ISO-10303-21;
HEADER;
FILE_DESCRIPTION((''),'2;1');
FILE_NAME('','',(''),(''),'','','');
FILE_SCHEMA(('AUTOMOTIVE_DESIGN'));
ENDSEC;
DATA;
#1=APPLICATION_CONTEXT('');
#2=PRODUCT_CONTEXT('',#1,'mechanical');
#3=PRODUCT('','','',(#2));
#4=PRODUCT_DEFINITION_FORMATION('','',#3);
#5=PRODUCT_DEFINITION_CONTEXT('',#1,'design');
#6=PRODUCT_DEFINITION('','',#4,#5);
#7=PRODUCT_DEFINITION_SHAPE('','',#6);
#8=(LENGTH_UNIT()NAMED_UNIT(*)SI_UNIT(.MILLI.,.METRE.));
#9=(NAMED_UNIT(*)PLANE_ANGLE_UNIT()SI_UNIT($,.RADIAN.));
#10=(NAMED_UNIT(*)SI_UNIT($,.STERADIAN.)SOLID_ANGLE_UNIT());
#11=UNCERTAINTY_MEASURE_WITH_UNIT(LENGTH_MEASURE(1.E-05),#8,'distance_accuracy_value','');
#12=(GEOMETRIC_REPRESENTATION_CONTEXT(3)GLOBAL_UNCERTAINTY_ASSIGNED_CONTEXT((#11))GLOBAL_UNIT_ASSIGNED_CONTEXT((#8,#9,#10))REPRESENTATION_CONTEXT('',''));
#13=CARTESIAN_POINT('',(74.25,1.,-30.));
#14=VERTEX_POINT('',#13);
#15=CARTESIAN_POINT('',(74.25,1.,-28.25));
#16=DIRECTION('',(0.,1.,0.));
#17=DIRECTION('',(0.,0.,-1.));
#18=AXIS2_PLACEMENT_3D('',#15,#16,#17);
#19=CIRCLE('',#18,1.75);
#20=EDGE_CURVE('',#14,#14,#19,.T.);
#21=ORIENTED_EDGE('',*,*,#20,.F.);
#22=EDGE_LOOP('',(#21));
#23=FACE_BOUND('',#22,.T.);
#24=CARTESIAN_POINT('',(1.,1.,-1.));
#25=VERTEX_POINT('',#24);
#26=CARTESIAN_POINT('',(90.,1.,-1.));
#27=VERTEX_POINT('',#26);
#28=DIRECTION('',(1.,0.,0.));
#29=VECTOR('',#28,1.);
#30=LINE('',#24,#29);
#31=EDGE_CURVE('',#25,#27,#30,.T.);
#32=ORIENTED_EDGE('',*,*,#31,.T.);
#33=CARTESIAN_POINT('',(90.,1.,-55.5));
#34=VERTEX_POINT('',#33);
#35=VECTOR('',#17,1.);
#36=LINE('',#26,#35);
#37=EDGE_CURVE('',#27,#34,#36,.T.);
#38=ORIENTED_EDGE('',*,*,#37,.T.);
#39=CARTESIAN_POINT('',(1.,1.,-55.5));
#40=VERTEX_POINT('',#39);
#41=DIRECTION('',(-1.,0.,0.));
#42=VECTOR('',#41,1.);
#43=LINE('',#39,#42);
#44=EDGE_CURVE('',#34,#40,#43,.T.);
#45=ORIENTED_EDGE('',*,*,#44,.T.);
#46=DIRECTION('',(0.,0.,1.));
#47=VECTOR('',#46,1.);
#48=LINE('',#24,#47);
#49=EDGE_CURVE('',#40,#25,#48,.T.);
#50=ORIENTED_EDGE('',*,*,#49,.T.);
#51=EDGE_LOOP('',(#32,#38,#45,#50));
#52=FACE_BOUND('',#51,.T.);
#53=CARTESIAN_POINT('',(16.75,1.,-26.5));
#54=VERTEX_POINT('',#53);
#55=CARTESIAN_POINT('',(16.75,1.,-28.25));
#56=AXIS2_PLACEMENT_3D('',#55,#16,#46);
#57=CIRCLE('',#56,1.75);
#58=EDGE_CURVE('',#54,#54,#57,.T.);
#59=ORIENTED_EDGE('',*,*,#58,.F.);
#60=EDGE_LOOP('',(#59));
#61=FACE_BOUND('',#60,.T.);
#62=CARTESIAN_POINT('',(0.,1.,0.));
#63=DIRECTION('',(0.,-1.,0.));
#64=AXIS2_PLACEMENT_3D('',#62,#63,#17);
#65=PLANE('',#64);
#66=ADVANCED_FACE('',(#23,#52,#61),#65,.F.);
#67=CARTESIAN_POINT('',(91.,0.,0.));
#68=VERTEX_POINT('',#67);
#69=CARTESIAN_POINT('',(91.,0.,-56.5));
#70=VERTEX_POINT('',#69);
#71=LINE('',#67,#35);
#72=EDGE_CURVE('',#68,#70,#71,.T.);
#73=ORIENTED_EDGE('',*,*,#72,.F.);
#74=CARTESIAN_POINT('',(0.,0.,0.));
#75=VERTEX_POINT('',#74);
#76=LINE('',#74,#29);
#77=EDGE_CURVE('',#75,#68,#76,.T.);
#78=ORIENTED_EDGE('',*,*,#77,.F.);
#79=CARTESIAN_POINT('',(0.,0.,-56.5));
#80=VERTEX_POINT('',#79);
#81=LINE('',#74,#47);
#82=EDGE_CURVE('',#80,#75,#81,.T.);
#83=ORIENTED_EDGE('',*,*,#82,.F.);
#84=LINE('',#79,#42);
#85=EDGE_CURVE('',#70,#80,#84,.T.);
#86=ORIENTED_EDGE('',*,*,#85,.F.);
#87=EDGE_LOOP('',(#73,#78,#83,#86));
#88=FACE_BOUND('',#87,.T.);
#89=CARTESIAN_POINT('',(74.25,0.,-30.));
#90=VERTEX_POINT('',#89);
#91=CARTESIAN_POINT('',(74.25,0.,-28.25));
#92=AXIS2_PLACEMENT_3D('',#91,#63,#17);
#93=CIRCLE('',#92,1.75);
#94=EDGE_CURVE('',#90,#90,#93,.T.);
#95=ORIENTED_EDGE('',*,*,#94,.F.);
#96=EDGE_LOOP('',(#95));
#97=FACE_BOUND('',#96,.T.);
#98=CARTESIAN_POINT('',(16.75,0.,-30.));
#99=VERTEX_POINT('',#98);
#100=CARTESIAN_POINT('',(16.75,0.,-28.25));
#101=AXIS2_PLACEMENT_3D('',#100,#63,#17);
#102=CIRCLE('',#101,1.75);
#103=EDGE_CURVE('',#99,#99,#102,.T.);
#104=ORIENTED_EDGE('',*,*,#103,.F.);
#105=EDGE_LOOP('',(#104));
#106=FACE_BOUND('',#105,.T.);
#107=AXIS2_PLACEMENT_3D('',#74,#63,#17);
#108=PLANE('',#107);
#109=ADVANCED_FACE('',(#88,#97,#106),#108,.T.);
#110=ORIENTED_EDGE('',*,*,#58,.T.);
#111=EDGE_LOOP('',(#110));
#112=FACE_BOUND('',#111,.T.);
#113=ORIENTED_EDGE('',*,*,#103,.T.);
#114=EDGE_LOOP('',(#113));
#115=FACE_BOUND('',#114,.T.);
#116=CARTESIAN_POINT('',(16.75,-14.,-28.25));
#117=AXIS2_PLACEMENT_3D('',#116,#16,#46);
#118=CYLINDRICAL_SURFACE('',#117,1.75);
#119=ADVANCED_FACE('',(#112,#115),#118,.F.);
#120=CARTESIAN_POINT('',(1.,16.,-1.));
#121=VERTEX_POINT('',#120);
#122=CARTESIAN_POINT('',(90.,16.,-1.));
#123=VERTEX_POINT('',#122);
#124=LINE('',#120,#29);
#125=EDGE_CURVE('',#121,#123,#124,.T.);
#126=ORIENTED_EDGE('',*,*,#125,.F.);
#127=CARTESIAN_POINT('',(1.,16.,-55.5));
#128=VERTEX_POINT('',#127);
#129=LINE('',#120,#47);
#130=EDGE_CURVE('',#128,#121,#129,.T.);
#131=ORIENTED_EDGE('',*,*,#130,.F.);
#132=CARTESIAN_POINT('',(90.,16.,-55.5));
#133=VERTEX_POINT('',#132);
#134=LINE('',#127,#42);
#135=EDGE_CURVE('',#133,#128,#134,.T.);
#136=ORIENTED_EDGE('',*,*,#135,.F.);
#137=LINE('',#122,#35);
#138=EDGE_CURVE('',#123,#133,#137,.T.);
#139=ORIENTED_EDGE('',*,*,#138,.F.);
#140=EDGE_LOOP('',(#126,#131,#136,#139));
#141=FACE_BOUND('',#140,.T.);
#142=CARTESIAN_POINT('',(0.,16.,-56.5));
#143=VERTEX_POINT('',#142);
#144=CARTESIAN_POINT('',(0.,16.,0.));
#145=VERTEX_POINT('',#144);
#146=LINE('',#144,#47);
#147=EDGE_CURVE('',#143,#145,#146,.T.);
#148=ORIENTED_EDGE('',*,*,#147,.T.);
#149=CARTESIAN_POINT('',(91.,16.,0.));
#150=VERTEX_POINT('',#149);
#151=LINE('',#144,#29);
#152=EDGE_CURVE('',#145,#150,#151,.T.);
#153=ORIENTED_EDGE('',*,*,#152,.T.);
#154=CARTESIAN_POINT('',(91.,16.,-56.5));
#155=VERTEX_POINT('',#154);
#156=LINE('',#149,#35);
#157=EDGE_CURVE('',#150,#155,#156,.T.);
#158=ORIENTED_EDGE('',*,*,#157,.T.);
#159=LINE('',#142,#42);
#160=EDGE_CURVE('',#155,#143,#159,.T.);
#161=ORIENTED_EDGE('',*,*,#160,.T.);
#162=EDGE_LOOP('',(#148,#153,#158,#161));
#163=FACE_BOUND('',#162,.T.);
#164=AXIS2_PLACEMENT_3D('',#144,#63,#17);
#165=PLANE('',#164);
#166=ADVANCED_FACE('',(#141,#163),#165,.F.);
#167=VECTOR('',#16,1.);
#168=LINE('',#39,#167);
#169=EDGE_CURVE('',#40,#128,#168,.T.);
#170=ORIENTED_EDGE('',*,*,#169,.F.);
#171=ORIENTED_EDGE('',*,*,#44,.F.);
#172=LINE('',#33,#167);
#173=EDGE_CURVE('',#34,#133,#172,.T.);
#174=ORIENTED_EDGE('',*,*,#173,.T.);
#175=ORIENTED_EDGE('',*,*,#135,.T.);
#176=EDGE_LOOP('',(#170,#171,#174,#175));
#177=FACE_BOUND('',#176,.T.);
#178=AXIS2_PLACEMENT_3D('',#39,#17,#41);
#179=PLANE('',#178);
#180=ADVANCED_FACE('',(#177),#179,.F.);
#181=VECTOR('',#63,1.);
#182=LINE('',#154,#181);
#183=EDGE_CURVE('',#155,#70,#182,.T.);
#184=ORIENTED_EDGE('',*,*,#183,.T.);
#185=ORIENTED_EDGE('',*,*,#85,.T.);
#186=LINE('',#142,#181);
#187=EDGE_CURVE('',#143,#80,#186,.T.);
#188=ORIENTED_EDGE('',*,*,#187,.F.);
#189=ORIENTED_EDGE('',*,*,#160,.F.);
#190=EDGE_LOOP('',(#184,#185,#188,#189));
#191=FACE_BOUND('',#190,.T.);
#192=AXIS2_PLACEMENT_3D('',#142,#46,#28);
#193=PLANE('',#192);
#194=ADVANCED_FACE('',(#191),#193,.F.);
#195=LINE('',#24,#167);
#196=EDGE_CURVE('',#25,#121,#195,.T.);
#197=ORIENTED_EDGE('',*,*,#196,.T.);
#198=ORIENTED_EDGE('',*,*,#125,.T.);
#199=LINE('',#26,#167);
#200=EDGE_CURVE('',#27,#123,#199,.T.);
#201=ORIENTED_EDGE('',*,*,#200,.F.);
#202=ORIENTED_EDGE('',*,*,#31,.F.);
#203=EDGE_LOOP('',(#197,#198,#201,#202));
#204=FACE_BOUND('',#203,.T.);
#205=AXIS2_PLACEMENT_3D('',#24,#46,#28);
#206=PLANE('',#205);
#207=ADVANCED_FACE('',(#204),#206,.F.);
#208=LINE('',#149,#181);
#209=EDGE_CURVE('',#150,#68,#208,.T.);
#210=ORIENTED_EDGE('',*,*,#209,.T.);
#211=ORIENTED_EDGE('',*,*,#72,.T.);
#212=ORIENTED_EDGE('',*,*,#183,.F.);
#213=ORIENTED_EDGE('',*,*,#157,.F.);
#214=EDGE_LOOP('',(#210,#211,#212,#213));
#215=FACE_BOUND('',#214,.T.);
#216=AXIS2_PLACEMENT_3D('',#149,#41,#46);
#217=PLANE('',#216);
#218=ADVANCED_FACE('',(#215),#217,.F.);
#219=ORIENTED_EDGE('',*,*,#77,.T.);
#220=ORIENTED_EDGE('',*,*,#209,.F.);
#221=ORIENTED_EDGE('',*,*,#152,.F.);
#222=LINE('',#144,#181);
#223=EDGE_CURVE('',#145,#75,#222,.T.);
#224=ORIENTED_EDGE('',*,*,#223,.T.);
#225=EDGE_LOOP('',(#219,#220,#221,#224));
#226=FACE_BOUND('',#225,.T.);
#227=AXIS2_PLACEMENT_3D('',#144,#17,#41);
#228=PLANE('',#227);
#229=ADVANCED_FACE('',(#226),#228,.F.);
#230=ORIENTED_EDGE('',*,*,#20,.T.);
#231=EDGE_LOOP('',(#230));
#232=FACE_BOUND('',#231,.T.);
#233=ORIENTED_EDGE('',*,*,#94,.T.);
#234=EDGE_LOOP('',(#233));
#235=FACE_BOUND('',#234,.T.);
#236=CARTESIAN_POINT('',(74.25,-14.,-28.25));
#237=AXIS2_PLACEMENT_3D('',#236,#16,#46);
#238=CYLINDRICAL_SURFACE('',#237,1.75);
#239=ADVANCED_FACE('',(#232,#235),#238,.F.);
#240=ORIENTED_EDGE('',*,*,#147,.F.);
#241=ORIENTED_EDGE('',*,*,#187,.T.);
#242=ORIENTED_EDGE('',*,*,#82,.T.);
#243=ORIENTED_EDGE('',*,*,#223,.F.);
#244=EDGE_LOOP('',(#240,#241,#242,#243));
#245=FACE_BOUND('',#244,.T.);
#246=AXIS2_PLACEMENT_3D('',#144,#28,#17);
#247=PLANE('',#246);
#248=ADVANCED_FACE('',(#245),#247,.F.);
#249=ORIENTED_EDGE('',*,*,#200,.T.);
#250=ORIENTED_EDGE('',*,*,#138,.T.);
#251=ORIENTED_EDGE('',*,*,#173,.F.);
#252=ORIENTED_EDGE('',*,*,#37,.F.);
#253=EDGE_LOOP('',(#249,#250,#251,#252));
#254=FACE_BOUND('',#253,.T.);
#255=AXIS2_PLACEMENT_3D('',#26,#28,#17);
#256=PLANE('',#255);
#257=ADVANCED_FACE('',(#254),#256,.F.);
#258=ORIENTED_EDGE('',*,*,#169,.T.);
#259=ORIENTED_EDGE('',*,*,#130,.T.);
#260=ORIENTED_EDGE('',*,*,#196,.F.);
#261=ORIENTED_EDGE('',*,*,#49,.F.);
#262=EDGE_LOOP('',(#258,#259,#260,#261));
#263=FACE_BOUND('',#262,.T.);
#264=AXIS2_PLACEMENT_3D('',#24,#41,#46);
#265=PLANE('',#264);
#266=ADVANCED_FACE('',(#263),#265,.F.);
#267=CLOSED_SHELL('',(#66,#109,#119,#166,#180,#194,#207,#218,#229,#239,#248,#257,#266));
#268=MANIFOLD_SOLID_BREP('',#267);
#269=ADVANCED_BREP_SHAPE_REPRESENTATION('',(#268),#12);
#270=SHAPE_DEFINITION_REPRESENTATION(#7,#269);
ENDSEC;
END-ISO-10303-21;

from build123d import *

# Parameters (mm, degrees)
SKETCH1_W           = 91
SKETCH1_H           = 56.5
BOSS_EXTRUDE1_DEPTH = 16
SKETCH2_W           = 89
SKETCH2_H           = 54.5
CUT_EXTRUDE1_DEPTH  = 15
SKETCH3_R           = 1.75
CUT_EXTRUDE2_DEPTH  = 15


with BuildPart() as part:
    # Sketch1 → Boss-Extrude1 (new body)
    with BuildSketch(Plane(origin=(0, 0, 0), x_dir=(1, 0, 0), z_dir=(0, 1, 0))):
        with Locations((45.5, 28.25)):
            Rectangle(SKETCH1_W, SKETCH1_H)
    extrude(amount=BOSS_EXTRUDE1_DEPTH)

    # Sketch2 → Cut-Extrude1 (cut)
    with BuildSketch(Plane(origin=(0, 16, 0), x_dir=(1, 0, 0), z_dir=(0, 1, 0))):
        with Locations((45.5, 28.25)):
            Rectangle(SKETCH2_W, SKETCH2_H)
    extrude(amount=-CUT_EXTRUDE1_DEPTH, mode=Mode.SUBTRACT)

    # Sketch3 → Cut-Extrude2 (cut)
    with BuildSketch(Plane(origin=(0, 1, 0), x_dir=(1, 0, 0), z_dir=(0, 1, 0))):
        with Locations(Location((16.75, 28.25, 0), (0, 0, 270))):
            Circle(SKETCH3_R)
        with Locations(Location((74.25, 28.25, 0), (0, 0, 90))):
            Circle(SKETCH3_R)
    extrude(amount=-CUT_EXTRUDE2_DEPTH, mode=Mode.SUBTRACT)


solid = part.part
